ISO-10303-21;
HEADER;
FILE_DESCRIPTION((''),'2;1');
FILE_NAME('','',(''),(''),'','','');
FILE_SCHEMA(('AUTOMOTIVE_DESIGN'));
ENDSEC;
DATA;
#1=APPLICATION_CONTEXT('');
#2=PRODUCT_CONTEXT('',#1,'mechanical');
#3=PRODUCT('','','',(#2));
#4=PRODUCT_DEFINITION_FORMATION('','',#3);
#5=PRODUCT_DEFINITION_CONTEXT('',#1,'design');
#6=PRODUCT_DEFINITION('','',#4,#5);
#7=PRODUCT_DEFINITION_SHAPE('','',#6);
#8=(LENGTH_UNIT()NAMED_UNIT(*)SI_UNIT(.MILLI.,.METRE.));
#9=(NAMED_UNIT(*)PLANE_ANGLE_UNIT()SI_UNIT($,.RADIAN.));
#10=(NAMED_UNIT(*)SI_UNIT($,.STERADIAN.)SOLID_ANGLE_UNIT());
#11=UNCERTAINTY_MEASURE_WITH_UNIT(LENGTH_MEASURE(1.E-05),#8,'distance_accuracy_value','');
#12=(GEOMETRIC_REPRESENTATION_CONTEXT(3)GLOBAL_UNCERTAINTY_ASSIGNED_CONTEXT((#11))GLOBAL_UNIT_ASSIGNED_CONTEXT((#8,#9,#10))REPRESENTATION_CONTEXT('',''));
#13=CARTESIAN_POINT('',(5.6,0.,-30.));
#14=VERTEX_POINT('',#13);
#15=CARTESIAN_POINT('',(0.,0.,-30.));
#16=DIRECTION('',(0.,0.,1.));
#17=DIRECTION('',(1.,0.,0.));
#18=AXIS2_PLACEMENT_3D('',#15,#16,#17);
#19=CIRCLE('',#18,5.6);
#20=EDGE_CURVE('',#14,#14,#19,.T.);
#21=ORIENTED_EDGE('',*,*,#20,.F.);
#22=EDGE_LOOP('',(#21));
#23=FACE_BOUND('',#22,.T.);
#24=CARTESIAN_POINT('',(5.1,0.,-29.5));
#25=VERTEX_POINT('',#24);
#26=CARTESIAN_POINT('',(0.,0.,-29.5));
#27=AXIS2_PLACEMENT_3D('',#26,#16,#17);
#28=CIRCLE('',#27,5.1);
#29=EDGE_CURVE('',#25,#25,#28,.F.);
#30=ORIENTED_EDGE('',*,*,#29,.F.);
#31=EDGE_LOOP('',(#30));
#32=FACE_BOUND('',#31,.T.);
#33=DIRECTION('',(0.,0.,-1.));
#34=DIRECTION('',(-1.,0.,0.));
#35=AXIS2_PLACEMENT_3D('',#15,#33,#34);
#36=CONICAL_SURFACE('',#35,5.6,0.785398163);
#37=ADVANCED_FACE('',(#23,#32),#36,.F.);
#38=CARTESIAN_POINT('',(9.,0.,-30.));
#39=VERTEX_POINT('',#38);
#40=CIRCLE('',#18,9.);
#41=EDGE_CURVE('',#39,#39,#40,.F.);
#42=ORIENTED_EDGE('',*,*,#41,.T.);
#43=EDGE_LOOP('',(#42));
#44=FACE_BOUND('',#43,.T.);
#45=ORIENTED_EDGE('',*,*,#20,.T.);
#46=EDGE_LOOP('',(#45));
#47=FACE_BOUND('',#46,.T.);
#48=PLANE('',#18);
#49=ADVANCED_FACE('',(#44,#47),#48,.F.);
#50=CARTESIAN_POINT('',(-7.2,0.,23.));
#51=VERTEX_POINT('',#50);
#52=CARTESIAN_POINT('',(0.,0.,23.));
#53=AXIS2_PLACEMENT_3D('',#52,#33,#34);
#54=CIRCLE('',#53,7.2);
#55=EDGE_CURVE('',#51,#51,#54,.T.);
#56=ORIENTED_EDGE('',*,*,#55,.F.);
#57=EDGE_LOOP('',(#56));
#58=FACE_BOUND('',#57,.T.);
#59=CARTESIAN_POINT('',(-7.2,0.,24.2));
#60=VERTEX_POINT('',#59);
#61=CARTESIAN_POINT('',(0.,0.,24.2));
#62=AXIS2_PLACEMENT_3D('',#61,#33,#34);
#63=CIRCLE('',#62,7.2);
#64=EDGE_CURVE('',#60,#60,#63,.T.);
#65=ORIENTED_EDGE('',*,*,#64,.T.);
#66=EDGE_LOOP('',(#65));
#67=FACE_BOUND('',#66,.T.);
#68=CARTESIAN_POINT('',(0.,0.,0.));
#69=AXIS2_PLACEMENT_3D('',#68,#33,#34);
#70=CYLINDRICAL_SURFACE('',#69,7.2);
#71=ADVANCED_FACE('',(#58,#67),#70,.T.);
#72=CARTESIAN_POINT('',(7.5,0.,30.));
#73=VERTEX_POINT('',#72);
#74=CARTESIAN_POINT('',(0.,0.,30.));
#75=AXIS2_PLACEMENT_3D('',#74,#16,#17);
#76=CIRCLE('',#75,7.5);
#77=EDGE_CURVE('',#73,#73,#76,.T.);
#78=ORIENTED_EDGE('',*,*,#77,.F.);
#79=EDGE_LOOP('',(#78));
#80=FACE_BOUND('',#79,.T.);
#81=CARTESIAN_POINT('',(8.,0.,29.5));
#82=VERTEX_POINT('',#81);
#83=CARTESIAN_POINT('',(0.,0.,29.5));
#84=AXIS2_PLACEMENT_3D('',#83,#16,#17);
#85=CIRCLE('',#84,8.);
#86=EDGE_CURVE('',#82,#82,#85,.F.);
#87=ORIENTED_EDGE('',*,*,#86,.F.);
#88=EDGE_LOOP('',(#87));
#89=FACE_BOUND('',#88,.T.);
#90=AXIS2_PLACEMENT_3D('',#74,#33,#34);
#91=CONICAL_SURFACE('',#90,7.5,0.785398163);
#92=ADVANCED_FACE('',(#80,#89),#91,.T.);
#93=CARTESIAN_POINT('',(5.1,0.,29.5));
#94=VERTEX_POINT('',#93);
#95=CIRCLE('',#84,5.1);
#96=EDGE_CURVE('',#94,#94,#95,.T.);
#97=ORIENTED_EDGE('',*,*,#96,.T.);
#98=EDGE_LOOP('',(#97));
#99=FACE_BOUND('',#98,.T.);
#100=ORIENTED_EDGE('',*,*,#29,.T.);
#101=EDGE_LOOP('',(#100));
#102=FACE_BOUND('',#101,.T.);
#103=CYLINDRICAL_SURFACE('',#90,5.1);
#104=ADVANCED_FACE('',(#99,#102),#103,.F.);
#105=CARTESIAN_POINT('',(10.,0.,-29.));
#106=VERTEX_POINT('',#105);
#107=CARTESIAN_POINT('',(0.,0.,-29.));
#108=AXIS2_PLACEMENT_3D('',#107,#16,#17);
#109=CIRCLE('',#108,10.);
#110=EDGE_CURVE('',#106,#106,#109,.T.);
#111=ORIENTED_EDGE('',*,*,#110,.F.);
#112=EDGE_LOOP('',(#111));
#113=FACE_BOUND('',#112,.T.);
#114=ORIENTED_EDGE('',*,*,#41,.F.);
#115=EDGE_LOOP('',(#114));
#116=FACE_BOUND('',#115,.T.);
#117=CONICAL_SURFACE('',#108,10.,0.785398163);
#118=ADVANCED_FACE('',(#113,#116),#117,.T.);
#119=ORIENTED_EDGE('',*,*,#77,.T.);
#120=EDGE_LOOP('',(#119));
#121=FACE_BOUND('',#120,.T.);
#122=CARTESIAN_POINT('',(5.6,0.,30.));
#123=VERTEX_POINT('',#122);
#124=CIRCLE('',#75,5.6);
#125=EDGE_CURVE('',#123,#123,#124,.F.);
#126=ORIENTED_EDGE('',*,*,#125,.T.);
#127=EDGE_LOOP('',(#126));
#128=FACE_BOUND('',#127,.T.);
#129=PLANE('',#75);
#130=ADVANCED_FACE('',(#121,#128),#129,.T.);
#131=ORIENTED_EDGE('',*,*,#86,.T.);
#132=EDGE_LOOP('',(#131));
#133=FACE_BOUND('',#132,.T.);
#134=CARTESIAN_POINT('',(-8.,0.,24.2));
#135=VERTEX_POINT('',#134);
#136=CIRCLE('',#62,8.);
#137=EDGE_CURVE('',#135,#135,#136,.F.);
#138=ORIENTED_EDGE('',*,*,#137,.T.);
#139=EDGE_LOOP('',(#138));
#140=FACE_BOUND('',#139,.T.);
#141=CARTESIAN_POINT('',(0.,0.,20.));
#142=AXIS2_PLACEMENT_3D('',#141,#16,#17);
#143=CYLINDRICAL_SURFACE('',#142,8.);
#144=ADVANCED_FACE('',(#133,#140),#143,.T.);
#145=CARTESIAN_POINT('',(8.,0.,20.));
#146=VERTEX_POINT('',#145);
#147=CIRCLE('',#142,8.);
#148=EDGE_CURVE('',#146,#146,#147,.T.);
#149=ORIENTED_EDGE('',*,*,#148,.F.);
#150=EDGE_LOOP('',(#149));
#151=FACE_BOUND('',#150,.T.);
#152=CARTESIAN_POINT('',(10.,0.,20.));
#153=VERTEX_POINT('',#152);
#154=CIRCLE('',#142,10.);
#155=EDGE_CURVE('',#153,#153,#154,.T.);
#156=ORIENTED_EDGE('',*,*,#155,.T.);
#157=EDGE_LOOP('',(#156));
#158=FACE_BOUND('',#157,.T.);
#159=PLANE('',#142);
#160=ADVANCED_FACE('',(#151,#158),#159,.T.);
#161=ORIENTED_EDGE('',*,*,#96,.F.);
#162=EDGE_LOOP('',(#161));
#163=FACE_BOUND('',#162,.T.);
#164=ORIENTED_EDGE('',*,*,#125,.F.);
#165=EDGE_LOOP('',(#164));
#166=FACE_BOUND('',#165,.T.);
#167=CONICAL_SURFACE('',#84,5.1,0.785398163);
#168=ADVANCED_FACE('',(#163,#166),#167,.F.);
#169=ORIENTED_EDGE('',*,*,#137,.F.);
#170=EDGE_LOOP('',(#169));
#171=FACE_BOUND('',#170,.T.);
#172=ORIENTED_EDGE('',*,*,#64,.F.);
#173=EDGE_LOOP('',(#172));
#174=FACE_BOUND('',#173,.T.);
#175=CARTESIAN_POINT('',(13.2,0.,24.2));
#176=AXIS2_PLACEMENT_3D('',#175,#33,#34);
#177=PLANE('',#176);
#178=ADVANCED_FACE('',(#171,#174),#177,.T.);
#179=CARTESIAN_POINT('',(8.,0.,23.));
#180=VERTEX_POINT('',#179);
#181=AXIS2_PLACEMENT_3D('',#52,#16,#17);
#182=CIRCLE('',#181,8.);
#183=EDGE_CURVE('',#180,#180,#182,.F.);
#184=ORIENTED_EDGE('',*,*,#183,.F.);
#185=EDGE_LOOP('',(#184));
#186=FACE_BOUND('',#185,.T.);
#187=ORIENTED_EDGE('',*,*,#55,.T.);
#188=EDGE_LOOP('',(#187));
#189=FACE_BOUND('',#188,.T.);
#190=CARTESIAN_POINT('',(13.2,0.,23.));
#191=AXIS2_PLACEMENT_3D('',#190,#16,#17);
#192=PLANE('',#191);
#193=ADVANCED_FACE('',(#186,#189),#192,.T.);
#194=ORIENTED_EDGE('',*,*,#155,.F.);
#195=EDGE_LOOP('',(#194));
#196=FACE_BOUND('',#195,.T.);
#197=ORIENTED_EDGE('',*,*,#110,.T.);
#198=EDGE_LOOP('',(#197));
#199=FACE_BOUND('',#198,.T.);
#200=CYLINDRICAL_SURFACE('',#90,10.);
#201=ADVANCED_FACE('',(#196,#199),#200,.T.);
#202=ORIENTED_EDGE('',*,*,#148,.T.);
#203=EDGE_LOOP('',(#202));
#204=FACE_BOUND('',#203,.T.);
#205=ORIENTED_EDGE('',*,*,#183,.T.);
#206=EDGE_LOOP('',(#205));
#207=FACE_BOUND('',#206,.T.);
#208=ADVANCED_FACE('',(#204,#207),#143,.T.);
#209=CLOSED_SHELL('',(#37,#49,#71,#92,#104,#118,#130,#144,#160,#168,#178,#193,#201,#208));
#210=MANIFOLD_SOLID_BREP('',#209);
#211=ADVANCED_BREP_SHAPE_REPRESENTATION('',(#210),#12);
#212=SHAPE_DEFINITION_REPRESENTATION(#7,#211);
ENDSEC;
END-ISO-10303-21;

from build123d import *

# Parameters (mm, degrees)
CROQUIS1_R              = 10
CROQUIS1_R_2            = 5.1
SALIENTE_EXTRUIR1_DEPTH = 30
CROQUIS2_OUTSIDE_W      = 35.266
CROQUIS2_OUTSIDE_H      = 35.266
CROQUIS2_OUTSIDE_R      = 8
CORTAR_EXTRUIR1_DEPTH   = 10
CHAFL_N1_SIZE           = 0.5
CROQUIS3_W              = 6
CROQUIS3_H              = 1.2
CHAFL_N2_SIZE           = 1


with BuildPart() as part:
    # Croquis1 → Saliente-Extruir1 (new, symmetric)
    with BuildSketch(Plane.XY):
        Circle(CROQUIS1_R)
        Circle(CROQUIS1_R_2, mode=Mode.SUBTRACT)
    extrude(amount=SALIENTE_EXTRUIR1_DEPTH, both=True)

    # Croquis2 outside → Cortar-Extruir1 (cut)
    with BuildSketch(Plane.XY.offset(30)):
        Rectangle(CROQUIS2_OUTSIDE_W, CROQUIS2_OUTSIDE_H)
        Circle(CROQUIS2_OUTSIDE_R, mode=Mode.SUBTRACT)
    extrude(amount=-CORTAR_EXTRUIR1_DEPTH, mode=Mode.SUBTRACT)

    # Chaflán1
    chafl_n1_edges = [part.edges().sort_by_distance(p)[0] for p in [
        (-8, 0, 30),
        (-5.1, 0, -30),
        (-5.1, 0, 30),
    ]]
    chamfer(chafl_n1_edges, length=CHAFL_N1_SIZE)

    # Croquis3 → Cortar-Revolución1 (revolve, cut)
    with BuildSketch(Plane(origin=(0, 0, 0), x_dir=(1, 0, 0), z_dir=(0, 1, 0))):
        with Locations((10.2, -23.6)):
            Rectangle(CROQUIS3_W, CROQUIS3_H)
    revolve(axis=Axis((0, 0, 0), (0, 0, 1)), mode=Mode.SUBTRACT)

    # Chaflán2
    chafl_n2_edges = [part.edges().sort_by_distance(p)[0] for p in [
        (-10, 0, -30),
    ]]
    chamfer(chafl_n2_edges, length=CHAFL_N2_SIZE)


solid = part.part
